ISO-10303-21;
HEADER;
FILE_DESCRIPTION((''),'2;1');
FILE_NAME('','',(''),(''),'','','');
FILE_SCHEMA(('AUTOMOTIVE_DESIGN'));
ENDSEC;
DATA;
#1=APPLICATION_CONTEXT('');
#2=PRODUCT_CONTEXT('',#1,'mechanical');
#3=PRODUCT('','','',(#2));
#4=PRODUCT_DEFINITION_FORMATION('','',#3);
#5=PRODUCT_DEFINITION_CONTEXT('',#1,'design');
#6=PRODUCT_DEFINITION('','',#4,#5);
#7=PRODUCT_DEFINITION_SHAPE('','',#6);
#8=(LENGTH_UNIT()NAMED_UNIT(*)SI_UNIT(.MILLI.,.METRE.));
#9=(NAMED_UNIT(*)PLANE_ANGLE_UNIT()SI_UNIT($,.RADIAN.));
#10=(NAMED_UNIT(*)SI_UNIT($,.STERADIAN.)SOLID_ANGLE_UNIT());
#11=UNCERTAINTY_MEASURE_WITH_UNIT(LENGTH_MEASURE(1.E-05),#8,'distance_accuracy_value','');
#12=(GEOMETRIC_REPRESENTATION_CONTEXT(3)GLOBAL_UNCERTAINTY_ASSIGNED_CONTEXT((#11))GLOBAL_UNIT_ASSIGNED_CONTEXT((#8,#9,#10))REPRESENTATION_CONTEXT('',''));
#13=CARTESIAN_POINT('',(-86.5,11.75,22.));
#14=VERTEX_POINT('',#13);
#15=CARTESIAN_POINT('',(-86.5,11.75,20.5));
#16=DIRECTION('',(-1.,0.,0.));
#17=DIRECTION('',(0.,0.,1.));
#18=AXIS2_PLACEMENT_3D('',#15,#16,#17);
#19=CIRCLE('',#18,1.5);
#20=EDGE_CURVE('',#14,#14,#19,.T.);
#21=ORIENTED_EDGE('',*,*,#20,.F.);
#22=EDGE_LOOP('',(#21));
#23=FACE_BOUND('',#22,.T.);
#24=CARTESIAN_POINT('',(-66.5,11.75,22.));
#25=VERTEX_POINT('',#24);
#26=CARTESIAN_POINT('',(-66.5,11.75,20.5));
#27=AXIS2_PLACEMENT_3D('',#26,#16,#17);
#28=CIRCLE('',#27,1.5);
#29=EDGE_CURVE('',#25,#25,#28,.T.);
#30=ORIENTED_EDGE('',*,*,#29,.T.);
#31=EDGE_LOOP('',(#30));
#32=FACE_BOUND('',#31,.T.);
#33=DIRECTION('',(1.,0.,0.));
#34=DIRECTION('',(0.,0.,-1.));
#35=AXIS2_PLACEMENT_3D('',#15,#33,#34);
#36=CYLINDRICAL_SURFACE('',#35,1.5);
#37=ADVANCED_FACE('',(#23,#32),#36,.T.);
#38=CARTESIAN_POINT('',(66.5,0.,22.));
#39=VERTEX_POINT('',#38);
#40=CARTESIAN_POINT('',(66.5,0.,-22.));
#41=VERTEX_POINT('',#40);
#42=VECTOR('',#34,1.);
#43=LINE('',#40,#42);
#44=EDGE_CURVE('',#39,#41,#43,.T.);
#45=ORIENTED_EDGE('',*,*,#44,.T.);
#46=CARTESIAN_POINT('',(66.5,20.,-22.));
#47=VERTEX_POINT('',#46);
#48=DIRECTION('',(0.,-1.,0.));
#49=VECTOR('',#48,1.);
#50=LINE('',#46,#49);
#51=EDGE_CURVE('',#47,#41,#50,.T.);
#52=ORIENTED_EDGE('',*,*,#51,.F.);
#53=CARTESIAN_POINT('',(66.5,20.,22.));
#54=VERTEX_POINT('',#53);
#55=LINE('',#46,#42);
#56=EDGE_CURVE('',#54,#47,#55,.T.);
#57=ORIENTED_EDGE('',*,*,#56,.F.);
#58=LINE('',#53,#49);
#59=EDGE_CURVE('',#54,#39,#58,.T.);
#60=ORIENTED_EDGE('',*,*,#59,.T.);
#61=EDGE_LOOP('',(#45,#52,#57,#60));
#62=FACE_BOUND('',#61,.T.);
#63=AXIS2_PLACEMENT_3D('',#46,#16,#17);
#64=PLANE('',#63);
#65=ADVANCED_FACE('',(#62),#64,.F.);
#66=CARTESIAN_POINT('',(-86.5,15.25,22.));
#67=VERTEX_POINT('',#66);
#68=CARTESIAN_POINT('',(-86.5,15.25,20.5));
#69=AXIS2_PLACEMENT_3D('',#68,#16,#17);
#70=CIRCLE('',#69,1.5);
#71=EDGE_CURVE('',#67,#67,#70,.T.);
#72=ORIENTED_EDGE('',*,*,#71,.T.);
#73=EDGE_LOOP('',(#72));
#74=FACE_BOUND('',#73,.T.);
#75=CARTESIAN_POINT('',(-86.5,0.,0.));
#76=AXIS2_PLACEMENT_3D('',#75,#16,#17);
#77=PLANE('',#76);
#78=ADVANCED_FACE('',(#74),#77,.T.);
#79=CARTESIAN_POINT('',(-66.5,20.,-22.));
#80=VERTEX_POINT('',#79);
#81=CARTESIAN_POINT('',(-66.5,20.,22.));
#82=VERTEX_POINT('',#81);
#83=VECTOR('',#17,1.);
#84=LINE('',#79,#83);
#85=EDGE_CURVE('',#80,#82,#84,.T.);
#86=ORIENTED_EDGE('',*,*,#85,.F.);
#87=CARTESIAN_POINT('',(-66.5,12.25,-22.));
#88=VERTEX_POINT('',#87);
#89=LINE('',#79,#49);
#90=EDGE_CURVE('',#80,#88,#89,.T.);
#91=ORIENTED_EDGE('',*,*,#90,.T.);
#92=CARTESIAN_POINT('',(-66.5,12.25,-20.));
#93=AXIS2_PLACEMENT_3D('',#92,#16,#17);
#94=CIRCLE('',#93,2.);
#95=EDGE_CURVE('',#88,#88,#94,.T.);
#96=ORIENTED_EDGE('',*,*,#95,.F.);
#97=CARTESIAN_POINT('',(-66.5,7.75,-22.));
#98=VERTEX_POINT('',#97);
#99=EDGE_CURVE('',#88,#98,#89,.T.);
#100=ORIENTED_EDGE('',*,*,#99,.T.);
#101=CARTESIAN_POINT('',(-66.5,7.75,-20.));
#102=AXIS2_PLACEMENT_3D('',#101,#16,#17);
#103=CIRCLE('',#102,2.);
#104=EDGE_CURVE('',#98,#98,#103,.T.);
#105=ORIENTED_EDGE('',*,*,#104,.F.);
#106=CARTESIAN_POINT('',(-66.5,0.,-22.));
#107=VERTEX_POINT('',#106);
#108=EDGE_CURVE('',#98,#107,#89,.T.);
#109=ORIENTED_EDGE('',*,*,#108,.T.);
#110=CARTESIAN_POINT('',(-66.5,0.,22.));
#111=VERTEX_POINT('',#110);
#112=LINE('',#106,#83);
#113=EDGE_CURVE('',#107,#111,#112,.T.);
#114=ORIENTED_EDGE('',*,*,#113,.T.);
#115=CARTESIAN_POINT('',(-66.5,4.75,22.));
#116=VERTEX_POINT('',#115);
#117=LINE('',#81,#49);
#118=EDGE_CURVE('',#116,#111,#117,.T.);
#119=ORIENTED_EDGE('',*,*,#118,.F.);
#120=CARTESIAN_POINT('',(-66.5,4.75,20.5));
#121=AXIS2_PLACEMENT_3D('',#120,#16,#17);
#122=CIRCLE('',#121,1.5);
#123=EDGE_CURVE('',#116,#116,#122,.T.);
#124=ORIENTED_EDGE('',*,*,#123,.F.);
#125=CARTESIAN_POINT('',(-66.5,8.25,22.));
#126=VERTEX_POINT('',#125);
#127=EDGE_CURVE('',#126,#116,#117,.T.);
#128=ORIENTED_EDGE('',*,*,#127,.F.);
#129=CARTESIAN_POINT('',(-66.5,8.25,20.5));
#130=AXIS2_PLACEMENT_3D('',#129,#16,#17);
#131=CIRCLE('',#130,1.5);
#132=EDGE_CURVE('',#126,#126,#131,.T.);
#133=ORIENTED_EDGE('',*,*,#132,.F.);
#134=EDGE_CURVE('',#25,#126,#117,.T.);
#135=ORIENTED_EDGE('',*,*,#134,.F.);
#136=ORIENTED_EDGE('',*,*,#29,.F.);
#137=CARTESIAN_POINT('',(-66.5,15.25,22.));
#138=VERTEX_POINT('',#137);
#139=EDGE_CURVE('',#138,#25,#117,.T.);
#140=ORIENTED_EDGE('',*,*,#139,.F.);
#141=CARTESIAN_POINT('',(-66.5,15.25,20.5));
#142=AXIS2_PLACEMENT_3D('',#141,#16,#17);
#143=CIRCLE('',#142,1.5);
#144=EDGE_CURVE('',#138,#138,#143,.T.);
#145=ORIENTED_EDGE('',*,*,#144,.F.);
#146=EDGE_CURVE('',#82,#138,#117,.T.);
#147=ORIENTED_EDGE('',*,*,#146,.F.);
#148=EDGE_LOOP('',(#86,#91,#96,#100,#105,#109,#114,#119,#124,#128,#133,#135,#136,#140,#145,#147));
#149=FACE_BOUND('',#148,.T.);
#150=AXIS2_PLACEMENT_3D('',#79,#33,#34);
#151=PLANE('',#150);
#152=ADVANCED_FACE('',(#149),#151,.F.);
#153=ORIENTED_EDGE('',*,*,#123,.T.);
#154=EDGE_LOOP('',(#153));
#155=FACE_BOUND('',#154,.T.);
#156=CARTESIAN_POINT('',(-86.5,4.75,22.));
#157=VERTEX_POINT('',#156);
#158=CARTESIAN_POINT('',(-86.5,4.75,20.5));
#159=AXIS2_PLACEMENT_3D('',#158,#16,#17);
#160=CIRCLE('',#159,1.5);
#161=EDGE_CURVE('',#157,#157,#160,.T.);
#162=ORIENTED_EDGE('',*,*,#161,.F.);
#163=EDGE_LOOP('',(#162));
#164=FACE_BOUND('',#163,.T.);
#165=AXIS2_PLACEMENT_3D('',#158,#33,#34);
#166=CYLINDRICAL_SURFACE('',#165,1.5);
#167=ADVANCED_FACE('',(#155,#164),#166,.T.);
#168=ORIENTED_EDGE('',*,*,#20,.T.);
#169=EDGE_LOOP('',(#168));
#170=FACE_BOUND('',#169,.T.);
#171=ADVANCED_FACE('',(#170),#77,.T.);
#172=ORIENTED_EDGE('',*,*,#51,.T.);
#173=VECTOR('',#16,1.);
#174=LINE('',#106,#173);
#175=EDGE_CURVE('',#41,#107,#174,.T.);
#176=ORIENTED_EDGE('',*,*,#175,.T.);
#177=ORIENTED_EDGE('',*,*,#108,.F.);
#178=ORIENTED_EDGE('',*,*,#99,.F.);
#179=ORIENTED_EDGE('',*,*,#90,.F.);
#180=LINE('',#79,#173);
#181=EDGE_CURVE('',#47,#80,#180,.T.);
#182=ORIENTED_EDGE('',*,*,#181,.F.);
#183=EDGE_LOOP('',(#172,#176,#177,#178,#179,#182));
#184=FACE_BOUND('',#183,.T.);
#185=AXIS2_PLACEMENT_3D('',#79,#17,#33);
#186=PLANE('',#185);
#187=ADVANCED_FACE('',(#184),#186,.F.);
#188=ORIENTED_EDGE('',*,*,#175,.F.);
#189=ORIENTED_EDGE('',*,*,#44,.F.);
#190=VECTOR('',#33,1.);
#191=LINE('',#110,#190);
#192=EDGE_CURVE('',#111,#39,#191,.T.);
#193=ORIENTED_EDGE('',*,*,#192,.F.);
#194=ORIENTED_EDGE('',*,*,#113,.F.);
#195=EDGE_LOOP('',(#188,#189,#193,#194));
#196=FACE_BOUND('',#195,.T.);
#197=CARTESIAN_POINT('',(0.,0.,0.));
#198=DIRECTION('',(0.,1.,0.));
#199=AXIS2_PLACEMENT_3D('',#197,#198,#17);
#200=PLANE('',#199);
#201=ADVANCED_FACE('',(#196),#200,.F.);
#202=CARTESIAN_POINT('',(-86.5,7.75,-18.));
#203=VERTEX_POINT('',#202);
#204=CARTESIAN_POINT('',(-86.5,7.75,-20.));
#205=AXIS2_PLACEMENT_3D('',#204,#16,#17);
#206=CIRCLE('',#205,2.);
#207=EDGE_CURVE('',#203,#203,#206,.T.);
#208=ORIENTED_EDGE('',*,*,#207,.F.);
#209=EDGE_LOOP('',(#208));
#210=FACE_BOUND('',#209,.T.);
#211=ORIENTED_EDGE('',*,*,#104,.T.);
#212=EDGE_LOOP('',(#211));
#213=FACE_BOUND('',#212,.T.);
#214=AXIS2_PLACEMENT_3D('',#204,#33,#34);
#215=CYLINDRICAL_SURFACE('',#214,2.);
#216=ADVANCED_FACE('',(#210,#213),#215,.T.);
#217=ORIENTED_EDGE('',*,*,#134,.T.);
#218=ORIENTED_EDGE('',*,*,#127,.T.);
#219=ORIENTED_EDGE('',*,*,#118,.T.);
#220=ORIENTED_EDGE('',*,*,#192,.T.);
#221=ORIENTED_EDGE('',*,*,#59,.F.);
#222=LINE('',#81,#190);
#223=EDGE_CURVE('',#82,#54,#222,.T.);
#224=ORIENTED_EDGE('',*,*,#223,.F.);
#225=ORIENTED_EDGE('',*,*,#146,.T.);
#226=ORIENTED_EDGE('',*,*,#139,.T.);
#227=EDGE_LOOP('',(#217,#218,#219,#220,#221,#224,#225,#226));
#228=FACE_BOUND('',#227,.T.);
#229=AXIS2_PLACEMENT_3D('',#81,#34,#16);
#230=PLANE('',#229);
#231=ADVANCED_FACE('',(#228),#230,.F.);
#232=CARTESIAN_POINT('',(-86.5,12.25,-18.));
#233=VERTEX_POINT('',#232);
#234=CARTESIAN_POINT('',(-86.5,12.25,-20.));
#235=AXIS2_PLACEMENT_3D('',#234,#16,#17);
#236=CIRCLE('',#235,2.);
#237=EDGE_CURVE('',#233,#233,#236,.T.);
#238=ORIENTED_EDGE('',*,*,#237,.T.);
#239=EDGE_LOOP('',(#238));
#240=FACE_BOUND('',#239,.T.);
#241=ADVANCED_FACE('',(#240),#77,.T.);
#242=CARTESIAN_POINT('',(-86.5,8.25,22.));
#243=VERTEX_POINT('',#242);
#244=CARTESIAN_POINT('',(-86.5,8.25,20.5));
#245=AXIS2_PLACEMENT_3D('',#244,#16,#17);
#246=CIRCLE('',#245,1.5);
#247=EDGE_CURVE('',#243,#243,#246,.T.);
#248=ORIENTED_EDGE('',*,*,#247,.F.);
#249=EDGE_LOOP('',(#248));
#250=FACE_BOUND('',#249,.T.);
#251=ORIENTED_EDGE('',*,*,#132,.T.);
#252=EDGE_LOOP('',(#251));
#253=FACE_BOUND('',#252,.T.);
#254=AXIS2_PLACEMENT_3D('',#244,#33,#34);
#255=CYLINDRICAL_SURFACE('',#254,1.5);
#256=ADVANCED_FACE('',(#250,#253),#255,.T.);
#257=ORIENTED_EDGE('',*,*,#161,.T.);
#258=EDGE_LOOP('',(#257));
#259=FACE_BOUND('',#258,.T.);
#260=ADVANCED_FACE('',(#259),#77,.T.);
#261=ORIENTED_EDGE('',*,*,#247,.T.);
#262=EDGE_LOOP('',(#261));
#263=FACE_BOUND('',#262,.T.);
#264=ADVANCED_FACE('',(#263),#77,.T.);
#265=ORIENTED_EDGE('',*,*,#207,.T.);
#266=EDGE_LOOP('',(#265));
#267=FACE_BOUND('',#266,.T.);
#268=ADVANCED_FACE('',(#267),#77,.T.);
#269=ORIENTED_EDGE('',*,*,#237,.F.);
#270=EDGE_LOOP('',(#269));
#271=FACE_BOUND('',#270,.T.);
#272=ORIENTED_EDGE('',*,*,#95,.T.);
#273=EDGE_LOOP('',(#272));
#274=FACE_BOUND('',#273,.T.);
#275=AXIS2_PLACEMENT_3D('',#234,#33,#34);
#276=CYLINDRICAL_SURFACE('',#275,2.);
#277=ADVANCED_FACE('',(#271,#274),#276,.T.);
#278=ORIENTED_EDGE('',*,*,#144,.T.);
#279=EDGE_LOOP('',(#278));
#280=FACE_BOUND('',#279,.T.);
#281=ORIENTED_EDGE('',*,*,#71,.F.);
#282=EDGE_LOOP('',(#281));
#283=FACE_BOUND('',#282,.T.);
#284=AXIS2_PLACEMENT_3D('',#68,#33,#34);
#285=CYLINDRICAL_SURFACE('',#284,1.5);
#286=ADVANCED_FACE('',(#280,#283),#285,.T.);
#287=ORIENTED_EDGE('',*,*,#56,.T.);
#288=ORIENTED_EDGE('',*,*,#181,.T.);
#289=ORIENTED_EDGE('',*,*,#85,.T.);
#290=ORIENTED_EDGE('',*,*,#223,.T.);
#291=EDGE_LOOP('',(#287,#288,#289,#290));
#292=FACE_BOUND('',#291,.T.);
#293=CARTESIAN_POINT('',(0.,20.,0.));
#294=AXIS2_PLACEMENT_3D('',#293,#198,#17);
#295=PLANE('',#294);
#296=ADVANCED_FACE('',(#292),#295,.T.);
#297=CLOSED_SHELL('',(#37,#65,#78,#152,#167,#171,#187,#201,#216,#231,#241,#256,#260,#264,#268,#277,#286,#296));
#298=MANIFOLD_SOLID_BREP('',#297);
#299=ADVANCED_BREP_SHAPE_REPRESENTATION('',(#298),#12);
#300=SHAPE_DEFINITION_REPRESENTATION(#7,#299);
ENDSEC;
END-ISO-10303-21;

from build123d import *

# Parameters (mm, degrees)
SKETCH1_W           = 133
SKETCH1_H           = 44
BOSS_EXTRUDE1_DEPTH = 20
BOSS_EXTRUDE3_DEPTH = 20


with BuildPart() as part:
    # Sketch1 → Boss-Extrude1 (new body)
    with BuildSketch(Plane(origin=(0, 0, 0), x_dir=(1, 0, 0), z_dir=(0, 1, 0))):
        Rectangle(SKETCH1_W, SKETCH1_H)
    extrude(amount=BOSS_EXTRUDE1_DEPTH)

    # Sketch2 → Boss-Extrude3 (add)
    with BuildSketch(Plane.ZY.offset(66.5)):
        with BuildLine():
            ThreePointArc((-18, 12.25), (-18.775155536, 13.831061681), (-20.499756038, 14.186554647))
            Line((-20.499756038, 14.186554647), (-20, 12.25))
            Line((-20, 12.25), (-20, 10.25))
            ThreePointArc((-20, 10.25), (-18.585786438, 10.835786438), (-18, 12.25))
        make_face()
        with BuildLine():
            Line((-20, 12.25), (-20.499756038, 14.186554647))
            ThreePointArc((-20.499756038, 14.186554647), (-21.984075263, 11.998116391), (-20, 10.25))
            Line((-20, 10.25), (-20, 12.25))
        make_face()
        with BuildLine():
            ThreePointArc((-18, 7.75), (-18.585786438, 9.164213562), (-20, 9.75))
            Line((-20, 9.75), (-20, 7.75))
            Line((-20, 7.75), (-20.499756038, 5.813445353))
            ThreePointArc((-20.499756038, 5.813445353), (-18.775155536, 6.168938319), (-18, 7.75))
        make_face()
        with BuildLine():
            Line((-20, 7.75), (-20, 9.75))
            ThreePointArc((-20, 9.75), (-21.984075263, 8.001883609), (-20.499756038, 5.813445353))
            Line((-20.499756038, 5.813445353), (-20, 7.75))
        make_face()
        with BuildLine():
            ThreePointArc((22, 15.25), (21.709864781, 16.136694542), (20.951697052, 16.680373998))
            Line((20.951697052, 16.680373998), (20.5, 15.25))
            Line((20.5, 15.25), (20.5, 13.75))
            ThreePointArc((20.5, 13.75), (21.560660172, 14.189339828), (22, 15.25))
        make_face()
        with BuildLine():
            Line((20.5, 15.25), (20.951697052, 16.680373998))
            ThreePointArc((20.951697052, 16.680373998), (19.017508685, 15.478515868), (20.5, 13.75))
            Line((20.5, 13.75), (20.5, 15.25))
        make_face()
        with BuildLine():
            ThreePointArc((22, 11.75), (21.560660172, 12.810660172), (20.5, 13.25))
            Line((20.5, 13.25), (20.5, 11.75))
            Line((20.5, 11.75), (20.5, 10.25))
            ThreePointArc((20.5, 10.25), (21.560660172, 10.689339828), (22, 11.75))
        make_face()
        with BuildLine():
            Line((20.5, 11.75), (20.5, 13.25))
            ThreePointArc((20.5, 13.25), (19, 11.75), (20.5, 10.25))
            Line((20.5, 10.25), (20.5, 11.75))
        make_face()
        with BuildLine():
            ThreePointArc((22, 8.25), (21.560660172, 9.310660172), (20.5, 9.75))
            Line((20.5, 9.75), (20.5, 8.25))
            Line((20.5, 8.25), (20.5, 6.75))
            ThreePointArc((20.5, 6.75), (21.560660172, 7.189339828), (22, 8.25))
        make_face()
        with BuildLine():
            Line((20.5, 8.25), (20.5, 9.75))
            ThreePointArc((20.5, 9.75), (19, 8.25), (20.5, 6.75))
            Line((20.5, 6.75), (20.5, 8.25))
        make_face()
        with BuildLine():
            ThreePointArc((22, 4.75), (21.560660172, 5.810660172), (20.5, 6.25))
            Line((20.5, 6.25), (20.5, 4.75))
            Line((20.5, 4.75), (20.951697052, 3.319626002))
            ThreePointArc((20.951697052, 3.319626002), (21.709864781, 3.863305458), (22, 4.75))
        make_face()
        with BuildLine():
            Line((20.5, 4.75), (20.5, 6.25))
            ThreePointArc((20.5, 6.25), (19.017508685, 4.521484132), (20.951697052, 3.319626002))
            Line((20.951697052, 3.319626002), (20.5, 4.75))
        make_face()
    extrude(amount=BOSS_EXTRUDE3_DEPTH)


solid = part.part
